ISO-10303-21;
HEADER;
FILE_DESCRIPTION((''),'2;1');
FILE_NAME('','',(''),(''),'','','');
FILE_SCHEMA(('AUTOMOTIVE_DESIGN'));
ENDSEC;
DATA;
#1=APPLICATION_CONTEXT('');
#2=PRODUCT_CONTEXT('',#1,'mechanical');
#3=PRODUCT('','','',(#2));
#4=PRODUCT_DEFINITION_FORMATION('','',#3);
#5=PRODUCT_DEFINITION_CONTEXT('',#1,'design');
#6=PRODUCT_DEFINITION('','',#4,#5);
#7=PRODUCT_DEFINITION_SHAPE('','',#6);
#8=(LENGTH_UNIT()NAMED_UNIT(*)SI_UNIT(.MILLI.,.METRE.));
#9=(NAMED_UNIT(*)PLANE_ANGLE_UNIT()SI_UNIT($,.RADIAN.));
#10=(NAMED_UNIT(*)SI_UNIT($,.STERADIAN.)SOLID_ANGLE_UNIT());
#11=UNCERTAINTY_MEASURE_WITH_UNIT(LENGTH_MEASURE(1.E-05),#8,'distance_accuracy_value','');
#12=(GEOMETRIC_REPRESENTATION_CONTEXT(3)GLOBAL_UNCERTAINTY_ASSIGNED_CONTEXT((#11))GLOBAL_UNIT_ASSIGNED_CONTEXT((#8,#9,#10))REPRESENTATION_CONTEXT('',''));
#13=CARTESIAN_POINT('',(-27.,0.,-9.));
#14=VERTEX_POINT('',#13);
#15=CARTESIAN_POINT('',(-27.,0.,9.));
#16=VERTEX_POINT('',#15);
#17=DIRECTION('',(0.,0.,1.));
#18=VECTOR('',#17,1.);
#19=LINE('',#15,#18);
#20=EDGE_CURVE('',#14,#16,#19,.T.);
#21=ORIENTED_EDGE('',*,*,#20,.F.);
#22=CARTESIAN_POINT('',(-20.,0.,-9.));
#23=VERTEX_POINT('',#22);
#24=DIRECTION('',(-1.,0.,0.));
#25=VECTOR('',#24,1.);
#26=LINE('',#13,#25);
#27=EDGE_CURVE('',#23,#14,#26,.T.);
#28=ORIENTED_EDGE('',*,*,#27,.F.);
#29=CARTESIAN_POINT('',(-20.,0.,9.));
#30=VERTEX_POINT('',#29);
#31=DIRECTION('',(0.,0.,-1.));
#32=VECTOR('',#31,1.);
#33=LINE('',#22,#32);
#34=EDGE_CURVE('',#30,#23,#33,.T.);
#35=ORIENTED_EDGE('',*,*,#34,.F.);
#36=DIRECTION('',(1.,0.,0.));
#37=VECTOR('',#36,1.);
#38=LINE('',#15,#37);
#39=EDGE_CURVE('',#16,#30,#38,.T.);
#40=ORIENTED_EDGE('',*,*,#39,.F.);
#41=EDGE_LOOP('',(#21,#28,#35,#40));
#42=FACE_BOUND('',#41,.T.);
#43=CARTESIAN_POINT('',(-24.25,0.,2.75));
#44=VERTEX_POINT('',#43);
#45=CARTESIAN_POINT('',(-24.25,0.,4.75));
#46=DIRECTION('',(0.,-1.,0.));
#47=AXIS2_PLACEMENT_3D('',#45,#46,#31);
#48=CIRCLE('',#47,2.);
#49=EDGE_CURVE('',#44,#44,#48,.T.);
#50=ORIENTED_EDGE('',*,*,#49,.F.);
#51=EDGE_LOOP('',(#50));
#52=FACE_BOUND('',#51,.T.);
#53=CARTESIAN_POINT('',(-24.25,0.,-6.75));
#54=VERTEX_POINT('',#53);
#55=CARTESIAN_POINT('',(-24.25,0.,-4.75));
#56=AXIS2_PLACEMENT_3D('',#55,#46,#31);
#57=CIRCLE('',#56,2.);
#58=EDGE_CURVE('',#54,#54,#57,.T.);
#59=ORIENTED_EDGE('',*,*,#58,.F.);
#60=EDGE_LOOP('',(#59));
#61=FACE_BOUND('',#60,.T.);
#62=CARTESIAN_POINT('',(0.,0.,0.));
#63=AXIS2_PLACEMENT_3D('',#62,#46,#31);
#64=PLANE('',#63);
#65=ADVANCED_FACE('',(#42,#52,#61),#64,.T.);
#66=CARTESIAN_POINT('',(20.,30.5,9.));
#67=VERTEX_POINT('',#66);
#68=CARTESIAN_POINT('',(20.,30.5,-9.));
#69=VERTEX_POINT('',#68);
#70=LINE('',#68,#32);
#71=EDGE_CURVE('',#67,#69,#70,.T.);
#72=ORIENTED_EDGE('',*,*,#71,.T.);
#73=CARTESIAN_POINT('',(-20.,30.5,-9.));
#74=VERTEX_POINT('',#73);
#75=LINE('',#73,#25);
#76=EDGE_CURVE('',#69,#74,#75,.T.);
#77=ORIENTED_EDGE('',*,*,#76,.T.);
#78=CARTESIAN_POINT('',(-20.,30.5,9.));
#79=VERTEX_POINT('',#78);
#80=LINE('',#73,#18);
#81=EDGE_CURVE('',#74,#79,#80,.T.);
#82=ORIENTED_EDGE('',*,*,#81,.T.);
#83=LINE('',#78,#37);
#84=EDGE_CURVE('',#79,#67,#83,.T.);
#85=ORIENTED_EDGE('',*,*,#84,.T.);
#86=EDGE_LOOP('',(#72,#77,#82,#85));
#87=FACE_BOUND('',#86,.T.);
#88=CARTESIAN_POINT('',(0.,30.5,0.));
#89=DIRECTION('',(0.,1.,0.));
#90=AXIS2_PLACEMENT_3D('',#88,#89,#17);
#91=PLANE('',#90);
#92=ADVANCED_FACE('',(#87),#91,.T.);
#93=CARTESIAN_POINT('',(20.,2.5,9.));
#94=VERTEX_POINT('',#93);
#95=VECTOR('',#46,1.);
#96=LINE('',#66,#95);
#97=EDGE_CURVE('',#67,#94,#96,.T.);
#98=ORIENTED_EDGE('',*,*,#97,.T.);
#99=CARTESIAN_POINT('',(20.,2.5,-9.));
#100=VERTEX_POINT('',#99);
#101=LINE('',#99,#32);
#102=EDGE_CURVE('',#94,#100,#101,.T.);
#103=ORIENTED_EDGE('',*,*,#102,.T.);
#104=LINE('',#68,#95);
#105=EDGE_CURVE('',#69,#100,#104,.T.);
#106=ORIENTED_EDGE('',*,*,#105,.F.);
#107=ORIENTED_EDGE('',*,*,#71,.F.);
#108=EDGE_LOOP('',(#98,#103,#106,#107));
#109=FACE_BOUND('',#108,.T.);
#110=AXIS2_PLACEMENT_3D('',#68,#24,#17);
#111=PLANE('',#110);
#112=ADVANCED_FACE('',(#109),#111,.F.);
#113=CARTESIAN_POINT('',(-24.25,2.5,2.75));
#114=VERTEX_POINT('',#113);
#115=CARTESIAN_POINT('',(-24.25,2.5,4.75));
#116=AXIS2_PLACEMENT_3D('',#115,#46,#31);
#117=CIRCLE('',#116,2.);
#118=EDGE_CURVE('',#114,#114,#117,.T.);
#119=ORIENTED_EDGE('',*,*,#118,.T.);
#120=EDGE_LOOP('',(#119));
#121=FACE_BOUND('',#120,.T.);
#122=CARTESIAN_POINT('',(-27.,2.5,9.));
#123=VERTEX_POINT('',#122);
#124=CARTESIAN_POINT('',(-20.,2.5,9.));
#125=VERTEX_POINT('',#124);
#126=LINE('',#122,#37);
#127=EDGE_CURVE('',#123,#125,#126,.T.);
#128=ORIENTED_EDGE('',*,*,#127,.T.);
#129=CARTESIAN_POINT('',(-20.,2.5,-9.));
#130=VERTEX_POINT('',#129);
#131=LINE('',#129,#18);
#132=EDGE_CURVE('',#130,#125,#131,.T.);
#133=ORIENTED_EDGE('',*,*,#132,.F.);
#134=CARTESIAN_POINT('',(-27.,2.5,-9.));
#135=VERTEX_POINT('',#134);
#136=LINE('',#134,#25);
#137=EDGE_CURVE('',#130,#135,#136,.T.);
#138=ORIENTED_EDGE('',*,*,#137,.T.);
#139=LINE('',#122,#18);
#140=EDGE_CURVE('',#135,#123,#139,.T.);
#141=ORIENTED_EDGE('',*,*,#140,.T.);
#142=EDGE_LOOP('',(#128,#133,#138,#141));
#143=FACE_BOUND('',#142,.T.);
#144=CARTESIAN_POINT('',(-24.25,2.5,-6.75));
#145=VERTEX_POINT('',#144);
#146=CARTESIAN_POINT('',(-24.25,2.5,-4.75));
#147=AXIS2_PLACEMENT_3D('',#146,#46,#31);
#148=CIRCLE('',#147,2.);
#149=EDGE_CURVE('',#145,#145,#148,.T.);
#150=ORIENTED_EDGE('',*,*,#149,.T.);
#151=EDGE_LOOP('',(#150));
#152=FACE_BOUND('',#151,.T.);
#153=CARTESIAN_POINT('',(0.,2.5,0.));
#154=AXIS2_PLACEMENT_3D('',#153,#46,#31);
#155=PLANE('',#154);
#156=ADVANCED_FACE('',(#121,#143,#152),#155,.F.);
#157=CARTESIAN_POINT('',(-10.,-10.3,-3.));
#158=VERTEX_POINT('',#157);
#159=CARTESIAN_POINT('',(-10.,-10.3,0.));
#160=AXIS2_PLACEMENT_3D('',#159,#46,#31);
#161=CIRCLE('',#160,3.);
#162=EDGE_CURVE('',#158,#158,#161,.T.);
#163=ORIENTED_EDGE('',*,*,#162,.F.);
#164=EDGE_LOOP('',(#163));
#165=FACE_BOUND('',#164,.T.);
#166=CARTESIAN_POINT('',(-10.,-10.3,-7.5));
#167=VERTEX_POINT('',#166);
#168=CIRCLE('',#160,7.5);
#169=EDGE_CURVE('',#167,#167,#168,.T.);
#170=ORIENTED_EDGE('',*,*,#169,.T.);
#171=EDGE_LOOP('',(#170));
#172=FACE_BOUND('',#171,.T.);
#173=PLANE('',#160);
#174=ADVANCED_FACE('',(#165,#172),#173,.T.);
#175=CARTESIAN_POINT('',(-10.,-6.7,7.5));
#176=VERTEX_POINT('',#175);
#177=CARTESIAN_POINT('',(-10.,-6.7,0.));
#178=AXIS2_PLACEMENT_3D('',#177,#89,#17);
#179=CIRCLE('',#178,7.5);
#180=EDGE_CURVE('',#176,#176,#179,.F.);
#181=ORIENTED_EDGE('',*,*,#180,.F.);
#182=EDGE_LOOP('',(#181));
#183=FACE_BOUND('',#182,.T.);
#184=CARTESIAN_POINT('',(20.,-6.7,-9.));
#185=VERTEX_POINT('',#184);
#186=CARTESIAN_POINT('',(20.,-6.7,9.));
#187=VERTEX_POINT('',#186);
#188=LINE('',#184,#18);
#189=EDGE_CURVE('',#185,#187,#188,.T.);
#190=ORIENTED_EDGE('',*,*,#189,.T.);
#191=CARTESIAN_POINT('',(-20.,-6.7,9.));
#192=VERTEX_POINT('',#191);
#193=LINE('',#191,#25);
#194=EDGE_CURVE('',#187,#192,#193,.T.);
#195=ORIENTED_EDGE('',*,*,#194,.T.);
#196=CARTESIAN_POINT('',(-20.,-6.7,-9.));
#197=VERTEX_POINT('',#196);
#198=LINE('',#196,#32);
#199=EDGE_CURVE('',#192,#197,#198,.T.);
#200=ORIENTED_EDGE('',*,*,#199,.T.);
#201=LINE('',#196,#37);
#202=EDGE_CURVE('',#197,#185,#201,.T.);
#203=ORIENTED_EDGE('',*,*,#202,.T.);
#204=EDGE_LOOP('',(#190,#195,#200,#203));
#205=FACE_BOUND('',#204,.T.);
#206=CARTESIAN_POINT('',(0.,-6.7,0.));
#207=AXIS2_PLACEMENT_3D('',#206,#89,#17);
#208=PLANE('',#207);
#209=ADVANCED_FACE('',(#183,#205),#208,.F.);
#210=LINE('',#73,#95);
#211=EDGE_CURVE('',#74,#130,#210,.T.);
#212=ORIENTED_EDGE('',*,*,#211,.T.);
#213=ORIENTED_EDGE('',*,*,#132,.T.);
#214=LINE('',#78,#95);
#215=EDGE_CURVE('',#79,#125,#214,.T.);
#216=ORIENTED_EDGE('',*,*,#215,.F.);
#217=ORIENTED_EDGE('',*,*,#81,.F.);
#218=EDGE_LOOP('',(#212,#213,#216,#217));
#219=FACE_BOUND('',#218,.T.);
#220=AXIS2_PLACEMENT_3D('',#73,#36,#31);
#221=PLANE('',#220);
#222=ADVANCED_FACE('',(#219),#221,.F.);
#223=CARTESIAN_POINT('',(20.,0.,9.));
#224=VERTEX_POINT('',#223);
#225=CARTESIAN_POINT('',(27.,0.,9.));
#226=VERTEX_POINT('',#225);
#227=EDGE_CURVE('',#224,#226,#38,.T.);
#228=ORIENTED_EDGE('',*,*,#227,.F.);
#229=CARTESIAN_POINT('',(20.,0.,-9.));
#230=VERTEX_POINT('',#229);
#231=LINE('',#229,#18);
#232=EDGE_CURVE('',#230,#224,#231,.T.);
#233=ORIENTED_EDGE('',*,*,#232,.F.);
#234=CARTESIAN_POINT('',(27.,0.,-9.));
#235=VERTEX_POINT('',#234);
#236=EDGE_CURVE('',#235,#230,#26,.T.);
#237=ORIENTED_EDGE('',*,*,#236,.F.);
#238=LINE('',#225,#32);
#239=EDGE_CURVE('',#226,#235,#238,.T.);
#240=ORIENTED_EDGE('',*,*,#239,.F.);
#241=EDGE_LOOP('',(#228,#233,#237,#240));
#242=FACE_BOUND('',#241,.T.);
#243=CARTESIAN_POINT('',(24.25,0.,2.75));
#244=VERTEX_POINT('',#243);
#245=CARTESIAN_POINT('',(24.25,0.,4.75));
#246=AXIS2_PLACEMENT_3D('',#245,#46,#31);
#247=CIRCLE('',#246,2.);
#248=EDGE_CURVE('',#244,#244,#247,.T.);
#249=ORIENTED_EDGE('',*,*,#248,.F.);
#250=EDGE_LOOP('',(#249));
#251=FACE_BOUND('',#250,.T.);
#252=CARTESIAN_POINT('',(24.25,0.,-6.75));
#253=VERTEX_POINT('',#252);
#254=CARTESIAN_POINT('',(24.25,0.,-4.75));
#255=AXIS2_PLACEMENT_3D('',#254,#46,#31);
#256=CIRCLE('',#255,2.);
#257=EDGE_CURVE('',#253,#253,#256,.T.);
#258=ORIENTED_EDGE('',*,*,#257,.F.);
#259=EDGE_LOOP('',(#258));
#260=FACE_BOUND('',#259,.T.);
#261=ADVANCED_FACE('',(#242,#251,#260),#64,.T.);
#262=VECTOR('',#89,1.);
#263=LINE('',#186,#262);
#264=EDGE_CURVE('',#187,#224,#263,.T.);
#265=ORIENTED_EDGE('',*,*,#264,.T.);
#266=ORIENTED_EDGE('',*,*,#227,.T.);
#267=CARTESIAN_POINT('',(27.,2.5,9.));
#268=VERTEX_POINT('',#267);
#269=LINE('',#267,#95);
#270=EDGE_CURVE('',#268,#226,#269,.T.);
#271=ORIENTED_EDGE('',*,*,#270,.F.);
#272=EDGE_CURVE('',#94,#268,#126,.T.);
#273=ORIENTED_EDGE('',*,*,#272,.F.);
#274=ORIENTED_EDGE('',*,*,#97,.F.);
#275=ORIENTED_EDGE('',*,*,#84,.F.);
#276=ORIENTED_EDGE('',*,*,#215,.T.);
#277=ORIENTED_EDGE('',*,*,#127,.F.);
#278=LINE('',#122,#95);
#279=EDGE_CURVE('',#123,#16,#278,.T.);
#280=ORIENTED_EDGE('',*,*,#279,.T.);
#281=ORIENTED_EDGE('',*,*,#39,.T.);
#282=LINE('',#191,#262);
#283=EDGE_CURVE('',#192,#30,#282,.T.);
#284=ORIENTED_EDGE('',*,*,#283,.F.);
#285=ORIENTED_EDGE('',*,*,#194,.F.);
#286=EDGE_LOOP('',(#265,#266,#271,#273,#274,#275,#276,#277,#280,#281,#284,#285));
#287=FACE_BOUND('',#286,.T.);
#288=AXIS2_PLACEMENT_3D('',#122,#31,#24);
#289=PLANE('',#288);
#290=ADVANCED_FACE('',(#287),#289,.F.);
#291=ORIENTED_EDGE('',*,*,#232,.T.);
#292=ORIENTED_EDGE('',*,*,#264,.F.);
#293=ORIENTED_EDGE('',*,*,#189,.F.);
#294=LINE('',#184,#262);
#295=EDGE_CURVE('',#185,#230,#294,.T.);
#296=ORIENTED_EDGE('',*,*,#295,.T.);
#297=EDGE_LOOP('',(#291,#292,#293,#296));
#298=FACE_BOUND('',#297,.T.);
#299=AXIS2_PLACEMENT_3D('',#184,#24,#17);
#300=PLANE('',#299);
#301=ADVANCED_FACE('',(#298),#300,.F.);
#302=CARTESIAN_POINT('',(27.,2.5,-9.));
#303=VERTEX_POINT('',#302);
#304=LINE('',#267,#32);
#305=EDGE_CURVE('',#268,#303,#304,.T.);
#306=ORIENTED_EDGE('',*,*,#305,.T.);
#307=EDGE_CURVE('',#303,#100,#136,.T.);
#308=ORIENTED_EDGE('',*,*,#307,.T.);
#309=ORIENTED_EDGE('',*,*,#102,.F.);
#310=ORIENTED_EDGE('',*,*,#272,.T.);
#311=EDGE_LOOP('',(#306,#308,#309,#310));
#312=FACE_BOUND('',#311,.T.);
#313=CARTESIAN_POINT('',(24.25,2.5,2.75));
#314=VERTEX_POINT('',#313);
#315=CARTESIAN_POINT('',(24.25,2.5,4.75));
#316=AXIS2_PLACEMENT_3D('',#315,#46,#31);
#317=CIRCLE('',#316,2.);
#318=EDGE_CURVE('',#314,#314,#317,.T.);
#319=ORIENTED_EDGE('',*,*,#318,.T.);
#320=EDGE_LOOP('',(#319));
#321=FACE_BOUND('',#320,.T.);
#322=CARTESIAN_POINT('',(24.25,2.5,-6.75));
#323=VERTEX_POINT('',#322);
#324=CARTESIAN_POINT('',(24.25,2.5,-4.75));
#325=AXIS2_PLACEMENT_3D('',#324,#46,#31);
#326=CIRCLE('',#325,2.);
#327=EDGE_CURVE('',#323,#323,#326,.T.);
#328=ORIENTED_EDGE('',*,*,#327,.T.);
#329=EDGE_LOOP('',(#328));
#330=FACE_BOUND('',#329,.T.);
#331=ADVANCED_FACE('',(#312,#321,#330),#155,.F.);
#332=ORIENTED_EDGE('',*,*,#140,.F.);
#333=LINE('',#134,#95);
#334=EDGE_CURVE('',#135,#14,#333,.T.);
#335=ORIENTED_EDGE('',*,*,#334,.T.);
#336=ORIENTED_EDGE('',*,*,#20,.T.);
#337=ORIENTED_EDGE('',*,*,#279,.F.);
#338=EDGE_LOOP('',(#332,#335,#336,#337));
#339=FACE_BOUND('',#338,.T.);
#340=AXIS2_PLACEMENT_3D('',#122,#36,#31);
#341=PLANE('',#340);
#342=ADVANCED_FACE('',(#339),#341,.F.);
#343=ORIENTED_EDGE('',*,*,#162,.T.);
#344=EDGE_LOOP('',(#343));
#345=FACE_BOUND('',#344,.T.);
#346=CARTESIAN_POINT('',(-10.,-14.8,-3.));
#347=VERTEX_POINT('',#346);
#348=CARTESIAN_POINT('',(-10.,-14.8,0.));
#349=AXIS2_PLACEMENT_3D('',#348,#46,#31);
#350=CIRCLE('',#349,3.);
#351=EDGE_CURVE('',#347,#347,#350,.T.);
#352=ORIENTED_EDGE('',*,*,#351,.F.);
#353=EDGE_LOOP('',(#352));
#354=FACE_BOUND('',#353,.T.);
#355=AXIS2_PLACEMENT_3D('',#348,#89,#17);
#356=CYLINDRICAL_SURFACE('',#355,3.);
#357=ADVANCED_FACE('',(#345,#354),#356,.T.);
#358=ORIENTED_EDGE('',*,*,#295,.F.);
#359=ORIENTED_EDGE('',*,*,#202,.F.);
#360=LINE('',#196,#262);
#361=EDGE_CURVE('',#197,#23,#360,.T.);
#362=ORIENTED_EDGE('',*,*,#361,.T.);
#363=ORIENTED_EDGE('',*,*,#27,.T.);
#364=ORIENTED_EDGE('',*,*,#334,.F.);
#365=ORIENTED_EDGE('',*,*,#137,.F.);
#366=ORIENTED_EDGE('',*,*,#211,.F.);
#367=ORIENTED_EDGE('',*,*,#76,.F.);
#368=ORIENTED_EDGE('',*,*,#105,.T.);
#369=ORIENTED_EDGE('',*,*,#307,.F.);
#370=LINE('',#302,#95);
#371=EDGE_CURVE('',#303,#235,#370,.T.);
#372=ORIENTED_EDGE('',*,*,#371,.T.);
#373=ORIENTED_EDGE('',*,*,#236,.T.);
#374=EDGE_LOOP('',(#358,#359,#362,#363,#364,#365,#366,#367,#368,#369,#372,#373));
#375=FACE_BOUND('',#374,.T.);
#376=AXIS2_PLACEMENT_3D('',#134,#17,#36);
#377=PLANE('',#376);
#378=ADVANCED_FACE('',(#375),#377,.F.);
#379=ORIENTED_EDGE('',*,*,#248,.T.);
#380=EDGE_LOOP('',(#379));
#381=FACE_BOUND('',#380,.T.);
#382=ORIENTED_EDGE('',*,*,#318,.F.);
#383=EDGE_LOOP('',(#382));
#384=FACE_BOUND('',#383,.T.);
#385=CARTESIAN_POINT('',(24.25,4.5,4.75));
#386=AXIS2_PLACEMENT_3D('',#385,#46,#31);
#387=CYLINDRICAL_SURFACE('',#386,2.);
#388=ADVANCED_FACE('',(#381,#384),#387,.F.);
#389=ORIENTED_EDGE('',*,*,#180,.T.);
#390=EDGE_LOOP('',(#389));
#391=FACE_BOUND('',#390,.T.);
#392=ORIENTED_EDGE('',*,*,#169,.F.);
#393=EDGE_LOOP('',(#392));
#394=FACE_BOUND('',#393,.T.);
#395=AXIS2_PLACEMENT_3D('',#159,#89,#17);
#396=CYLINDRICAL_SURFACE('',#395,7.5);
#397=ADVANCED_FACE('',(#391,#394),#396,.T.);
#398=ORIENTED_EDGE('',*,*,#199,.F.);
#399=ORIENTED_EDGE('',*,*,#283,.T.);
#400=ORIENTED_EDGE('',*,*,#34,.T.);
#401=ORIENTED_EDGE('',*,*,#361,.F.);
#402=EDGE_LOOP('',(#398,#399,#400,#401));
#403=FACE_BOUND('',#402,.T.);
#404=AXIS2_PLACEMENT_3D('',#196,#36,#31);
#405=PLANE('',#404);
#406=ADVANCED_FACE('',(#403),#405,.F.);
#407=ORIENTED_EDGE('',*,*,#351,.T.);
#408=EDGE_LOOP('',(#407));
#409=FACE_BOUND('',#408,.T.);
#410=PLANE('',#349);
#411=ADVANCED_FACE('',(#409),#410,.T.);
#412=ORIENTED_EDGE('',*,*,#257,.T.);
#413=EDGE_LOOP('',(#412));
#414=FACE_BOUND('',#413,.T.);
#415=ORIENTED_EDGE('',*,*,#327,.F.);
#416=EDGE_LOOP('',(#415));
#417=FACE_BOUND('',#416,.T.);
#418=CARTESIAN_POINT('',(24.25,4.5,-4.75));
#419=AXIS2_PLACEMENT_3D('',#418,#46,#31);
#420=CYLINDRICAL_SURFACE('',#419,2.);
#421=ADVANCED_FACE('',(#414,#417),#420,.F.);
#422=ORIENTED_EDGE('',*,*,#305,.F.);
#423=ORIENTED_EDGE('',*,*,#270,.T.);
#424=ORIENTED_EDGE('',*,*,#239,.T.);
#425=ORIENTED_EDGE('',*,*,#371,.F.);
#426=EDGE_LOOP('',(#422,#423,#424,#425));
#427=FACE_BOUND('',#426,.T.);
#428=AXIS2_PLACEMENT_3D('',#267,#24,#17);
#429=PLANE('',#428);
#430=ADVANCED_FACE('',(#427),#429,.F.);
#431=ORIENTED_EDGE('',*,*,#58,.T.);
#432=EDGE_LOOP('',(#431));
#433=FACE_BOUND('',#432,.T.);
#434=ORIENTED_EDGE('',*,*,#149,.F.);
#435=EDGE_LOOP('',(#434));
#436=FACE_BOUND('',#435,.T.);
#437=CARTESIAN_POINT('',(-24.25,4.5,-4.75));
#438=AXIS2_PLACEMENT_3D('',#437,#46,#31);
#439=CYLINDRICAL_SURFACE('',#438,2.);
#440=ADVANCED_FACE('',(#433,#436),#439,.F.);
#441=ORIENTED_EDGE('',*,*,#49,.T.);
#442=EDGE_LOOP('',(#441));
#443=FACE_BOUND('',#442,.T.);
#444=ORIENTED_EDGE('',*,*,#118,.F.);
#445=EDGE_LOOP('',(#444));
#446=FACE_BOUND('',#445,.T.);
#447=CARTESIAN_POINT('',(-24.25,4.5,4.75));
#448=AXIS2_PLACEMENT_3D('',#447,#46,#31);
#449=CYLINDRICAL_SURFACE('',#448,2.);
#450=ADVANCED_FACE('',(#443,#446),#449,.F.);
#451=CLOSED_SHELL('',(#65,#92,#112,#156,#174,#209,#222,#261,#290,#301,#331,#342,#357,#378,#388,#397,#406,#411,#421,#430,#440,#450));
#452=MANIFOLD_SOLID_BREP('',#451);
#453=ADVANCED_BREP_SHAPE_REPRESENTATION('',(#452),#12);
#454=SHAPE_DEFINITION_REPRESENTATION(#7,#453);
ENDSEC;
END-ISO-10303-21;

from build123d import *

# Parameters (mm, degrees)
SKETCH_1_W          = 54
SKETCH_1_H          = 18
EXTRUDE_1_DEPTH     = 2.5
SKETCH_2_W          = 40
SKETCH_2_H          = 18
EXTRUDE_2_DEPTH     = 28
SKETCH_3_W          = 40
SKETCH_3_H          = 18
EXTRUDE_3_DEPTH     = 6.7
SKETCH_4_R          = 7.5
EXTRUDE_4_DEPTH     = 3.6
SKETCH_5_R          = 3
EXTRUDE_5_DEPTH     = 4.5
SKETCH_6_R          = 2
CUT_EXTRUDE_1_DEPTH = 4.5


with BuildPart() as part:
    # 草图1 → 凸台-拉伸1 (new body)
    with BuildSketch(Plane(origin=(0, 0, 0), x_dir=(1, 0, 0), z_dir=(0, 1, 0))):
        Rectangle(SKETCH_1_W, SKETCH_1_H)
    extrude(amount=EXTRUDE_1_DEPTH)

    # 草图2 → 凸台-拉伸2 (add)
    with BuildSketch(Plane(origin=(0, 2.5, 0), x_dir=(1, 0, 0), z_dir=(0, 1, 0))):
        Rectangle(SKETCH_2_W, SKETCH_2_H)
    extrude(amount=EXTRUDE_2_DEPTH)

    # 草图3 → 凸台-拉伸3 (add)
    with BuildSketch(Plane.XZ):
        Rectangle(SKETCH_3_W, SKETCH_3_H)
    extrude(amount=EXTRUDE_3_DEPTH)

    # 草图4 → 凸台-拉伸4 (add)
    with BuildSketch(Plane.XZ.offset(6.7)):
        with Locations(Location((-10, 0, 0), (0, 0, 90))):
            Circle(SKETCH_4_R)
    extrude(amount=EXTRUDE_4_DEPTH)

    # 草图5 → 凸台-拉伸5 (add)
    with BuildSketch(Plane.XZ.offset(10.3)):
        with Locations(Location((-10, 0, 0), (0, 0, 270))):
            Circle(SKETCH_5_R)
    extrude(amount=EXTRUDE_5_DEPTH)

    # 草图6 → 切除-拉伸1 (cut)
    with BuildSketch(Plane.XZ):
        with Locations(Location((-24.25, 4.75, 0), (0, 0, 270))):
            Circle(SKETCH_6_R)
        with Locations(Location((-24.25, -4.75, 0), (0, 0, 270))):
            Circle(SKETCH_6_R)
        with Locations(Location((24.25, 4.75, 0), (0, 0, 270))):
            Circle(SKETCH_6_R)
        with Locations(Location((24.25, -4.75, 0), (0, 0, 270))):
            Circle(SKETCH_6_R)
    extrude(amount=-CUT_EXTRUDE_1_DEPTH, mode=Mode.SUBTRACT)


solid = part.part
